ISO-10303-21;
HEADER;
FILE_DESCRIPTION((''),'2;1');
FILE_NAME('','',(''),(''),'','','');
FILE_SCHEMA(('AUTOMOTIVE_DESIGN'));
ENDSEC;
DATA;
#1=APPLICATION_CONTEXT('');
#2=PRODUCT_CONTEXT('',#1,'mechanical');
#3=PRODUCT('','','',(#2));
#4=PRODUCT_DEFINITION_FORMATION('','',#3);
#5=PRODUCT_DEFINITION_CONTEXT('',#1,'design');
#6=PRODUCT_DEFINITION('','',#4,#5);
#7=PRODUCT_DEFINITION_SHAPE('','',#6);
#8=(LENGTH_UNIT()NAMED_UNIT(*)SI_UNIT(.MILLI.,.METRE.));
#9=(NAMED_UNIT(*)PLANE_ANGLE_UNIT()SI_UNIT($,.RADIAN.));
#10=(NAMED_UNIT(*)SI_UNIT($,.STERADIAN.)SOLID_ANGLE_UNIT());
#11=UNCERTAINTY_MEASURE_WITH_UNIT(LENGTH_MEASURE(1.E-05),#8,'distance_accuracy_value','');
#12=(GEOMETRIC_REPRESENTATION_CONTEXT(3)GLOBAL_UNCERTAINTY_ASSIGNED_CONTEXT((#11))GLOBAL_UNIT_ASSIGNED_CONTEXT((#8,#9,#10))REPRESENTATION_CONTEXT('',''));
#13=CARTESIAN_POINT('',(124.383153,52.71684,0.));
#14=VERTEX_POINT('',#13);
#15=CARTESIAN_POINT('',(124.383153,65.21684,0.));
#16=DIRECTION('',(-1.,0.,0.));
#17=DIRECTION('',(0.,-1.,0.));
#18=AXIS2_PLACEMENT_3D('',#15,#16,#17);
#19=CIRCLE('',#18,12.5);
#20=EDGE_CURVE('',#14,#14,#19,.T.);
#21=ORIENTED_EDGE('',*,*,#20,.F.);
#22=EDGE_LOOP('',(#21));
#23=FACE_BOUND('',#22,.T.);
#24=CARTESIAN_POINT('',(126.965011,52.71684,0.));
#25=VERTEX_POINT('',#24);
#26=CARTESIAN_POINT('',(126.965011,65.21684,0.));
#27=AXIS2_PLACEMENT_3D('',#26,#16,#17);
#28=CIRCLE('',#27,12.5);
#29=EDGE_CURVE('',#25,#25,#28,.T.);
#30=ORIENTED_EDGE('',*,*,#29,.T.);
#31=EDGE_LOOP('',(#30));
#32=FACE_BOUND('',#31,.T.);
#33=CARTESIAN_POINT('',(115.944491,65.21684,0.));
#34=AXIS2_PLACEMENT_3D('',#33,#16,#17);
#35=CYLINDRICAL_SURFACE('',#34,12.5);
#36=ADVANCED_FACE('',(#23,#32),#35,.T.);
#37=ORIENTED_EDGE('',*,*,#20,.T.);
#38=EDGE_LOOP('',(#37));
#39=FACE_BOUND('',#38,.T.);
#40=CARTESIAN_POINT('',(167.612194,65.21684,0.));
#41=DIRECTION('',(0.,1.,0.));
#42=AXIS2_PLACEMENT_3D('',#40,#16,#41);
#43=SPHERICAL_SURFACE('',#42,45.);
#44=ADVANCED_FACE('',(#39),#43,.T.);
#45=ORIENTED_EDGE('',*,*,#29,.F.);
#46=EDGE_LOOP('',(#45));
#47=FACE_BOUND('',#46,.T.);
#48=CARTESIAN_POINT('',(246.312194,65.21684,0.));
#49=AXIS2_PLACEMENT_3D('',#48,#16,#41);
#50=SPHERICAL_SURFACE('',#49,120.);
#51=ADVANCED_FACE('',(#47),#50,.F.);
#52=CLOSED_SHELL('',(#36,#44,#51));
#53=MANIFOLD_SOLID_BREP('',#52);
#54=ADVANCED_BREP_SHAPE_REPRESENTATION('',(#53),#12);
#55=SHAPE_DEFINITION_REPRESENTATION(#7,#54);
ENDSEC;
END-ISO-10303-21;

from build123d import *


with BuildPart() as part:
    # 草图1 → 旋转1 (revolve)
    with BuildSketch(Plane.XY):
        with BuildLine():
            Line((124.383152534, 77.716840471), (126.965011076, 77.716840471))
            ThreePointArc((126.965011076, 77.716840471), (126.475509176, 71.475358078), (126.312193698, 65.216840471))
            Line((126.312193698, 65.216840471), (122.612193698, 65.216840471))
            ThreePointArc((122.612193698, 65.216840471), (123.057133086, 71.529254732), (124.383152534, 77.716840471))
        make_face()
    revolve(axis=Axis((115.944491298, 65.216840471, 0), (1, 0, 0)))


solid = part.part
